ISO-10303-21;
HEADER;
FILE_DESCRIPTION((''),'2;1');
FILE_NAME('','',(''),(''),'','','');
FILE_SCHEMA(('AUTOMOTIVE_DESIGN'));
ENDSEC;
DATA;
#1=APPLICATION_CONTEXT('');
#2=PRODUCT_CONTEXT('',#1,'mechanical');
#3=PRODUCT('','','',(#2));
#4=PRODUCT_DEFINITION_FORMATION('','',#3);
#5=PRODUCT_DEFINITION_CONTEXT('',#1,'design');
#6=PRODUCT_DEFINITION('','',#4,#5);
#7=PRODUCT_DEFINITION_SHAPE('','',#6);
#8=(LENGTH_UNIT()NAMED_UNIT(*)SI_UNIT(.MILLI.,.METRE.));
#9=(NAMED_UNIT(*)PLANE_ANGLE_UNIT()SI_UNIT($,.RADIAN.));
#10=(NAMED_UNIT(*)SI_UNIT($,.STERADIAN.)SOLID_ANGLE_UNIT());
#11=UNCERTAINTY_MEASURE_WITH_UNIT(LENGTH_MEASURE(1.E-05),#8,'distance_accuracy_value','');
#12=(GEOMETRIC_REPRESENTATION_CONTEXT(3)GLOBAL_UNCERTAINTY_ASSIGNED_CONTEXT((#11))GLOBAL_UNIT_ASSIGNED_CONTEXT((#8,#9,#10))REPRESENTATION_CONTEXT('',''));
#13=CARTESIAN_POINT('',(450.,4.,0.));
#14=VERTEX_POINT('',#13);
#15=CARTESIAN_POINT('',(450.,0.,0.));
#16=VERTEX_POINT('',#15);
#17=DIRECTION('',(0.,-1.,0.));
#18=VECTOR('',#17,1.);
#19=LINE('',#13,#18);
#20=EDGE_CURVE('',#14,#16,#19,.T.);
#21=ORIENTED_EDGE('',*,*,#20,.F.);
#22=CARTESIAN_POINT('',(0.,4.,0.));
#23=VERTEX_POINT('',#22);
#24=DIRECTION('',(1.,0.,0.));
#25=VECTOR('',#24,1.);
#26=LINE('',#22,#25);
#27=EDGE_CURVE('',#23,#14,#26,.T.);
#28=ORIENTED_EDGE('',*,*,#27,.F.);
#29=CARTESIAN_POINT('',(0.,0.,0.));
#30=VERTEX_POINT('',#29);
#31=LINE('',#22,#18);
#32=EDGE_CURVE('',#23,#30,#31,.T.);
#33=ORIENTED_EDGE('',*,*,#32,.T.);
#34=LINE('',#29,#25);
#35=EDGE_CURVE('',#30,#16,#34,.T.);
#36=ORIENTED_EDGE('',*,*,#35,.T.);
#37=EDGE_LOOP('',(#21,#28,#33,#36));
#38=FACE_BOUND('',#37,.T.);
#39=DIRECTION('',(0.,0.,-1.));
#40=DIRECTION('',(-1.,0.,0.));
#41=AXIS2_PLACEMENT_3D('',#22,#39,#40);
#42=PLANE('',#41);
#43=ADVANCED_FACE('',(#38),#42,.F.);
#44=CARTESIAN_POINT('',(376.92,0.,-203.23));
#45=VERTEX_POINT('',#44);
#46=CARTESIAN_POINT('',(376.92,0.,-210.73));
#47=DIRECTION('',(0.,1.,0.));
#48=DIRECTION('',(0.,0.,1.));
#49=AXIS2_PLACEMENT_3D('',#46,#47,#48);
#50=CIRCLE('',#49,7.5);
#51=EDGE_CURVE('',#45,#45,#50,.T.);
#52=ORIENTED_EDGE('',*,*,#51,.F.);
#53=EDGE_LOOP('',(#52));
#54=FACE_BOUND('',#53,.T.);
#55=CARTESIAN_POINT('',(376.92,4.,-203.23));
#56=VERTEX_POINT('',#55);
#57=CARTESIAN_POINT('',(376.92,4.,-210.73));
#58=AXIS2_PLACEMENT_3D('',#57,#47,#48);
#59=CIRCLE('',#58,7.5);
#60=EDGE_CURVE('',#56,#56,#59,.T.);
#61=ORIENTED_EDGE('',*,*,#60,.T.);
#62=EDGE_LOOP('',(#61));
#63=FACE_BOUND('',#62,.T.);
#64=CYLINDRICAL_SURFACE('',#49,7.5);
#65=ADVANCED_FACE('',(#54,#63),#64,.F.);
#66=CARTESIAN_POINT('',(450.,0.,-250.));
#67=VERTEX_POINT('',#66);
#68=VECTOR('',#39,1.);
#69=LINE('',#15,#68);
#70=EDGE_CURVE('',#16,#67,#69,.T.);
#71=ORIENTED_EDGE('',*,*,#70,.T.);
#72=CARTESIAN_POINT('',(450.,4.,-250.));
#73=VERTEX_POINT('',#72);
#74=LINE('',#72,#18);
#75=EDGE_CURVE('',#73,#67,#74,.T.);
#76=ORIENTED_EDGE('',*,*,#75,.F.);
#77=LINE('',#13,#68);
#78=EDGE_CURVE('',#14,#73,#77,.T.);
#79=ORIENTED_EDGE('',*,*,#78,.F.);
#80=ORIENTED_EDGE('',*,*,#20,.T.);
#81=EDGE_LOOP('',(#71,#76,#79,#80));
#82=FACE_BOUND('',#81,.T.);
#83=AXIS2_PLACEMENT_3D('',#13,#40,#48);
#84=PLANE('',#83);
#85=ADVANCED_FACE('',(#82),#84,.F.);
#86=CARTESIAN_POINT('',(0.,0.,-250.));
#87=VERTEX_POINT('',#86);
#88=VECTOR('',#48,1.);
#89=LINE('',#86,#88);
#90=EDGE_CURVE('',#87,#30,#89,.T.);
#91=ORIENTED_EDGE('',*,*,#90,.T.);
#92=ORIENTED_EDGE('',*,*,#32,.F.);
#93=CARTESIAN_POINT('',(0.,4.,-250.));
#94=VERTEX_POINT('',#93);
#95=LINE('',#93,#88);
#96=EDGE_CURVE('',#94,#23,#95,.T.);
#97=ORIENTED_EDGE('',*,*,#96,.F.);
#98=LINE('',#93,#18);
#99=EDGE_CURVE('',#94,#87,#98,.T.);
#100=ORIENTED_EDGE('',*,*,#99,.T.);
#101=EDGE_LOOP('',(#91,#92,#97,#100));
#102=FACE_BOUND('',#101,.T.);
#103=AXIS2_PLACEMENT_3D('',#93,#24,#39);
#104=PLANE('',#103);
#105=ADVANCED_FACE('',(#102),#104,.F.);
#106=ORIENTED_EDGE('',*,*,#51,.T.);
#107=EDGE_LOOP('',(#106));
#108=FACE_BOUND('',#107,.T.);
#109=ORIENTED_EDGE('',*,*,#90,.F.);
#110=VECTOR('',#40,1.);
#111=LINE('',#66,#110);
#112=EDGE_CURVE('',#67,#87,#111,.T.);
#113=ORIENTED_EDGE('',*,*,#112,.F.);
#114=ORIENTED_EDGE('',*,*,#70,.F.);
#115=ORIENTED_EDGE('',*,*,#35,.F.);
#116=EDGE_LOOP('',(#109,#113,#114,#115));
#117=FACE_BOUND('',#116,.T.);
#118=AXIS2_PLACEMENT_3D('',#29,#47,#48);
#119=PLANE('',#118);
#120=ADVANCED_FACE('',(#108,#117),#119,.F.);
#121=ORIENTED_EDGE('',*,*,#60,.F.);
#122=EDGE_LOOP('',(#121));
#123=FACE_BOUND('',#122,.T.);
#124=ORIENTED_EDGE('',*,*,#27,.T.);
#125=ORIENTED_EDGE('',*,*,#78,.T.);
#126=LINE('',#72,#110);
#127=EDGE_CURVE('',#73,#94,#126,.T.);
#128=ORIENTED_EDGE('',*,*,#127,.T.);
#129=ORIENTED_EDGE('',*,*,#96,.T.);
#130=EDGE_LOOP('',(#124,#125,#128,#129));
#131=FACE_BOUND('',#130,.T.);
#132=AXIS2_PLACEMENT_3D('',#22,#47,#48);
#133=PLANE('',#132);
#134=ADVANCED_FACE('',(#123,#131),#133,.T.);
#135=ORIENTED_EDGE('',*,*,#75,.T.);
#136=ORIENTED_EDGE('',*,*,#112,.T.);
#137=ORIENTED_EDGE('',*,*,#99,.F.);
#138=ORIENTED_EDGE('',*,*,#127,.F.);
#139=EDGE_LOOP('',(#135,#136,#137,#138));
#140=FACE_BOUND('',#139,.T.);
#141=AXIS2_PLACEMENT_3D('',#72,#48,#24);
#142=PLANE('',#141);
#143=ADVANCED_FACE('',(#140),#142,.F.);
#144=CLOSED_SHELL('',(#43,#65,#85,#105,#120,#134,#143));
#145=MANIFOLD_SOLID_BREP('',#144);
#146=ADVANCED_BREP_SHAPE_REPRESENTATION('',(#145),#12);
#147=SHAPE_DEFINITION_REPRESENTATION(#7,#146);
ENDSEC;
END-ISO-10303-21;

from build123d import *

# Parameters (mm, degrees)
SKETCH_1_W          = 450
SKETCH_1_H          = 250
EXTRUDE_1_DEPTH     = 4
SKETCH_2_R          = 7.5
CUT_EXTRUDE_1_DEPTH = 515.797047389


with BuildPart() as part:
    # 草圖1 → 填料-伸長1 (new body)
    with BuildSketch(Plane(origin=(0, 0, 0), x_dir=(1, 0, 0), z_dir=(0, 1, 0))):
        with Locations((225, 125)):
            Rectangle(SKETCH_1_W, SKETCH_1_H)
    extrude(amount=EXTRUDE_1_DEPTH)

    # 草圖2 → 除料-伸長1 (cut, through all)
    with BuildSketch(Plane(origin=(0, 4, 0), x_dir=(1, 0, 0), z_dir=(0, 1, 0))):
        with Locations(Location((376.92, 210.73, 0), (0, 0, 270))):
            Circle(SKETCH_2_R)
    extrude(amount=-CUT_EXTRUDE_1_DEPTH, mode=Mode.SUBTRACT)


solid = part.part
